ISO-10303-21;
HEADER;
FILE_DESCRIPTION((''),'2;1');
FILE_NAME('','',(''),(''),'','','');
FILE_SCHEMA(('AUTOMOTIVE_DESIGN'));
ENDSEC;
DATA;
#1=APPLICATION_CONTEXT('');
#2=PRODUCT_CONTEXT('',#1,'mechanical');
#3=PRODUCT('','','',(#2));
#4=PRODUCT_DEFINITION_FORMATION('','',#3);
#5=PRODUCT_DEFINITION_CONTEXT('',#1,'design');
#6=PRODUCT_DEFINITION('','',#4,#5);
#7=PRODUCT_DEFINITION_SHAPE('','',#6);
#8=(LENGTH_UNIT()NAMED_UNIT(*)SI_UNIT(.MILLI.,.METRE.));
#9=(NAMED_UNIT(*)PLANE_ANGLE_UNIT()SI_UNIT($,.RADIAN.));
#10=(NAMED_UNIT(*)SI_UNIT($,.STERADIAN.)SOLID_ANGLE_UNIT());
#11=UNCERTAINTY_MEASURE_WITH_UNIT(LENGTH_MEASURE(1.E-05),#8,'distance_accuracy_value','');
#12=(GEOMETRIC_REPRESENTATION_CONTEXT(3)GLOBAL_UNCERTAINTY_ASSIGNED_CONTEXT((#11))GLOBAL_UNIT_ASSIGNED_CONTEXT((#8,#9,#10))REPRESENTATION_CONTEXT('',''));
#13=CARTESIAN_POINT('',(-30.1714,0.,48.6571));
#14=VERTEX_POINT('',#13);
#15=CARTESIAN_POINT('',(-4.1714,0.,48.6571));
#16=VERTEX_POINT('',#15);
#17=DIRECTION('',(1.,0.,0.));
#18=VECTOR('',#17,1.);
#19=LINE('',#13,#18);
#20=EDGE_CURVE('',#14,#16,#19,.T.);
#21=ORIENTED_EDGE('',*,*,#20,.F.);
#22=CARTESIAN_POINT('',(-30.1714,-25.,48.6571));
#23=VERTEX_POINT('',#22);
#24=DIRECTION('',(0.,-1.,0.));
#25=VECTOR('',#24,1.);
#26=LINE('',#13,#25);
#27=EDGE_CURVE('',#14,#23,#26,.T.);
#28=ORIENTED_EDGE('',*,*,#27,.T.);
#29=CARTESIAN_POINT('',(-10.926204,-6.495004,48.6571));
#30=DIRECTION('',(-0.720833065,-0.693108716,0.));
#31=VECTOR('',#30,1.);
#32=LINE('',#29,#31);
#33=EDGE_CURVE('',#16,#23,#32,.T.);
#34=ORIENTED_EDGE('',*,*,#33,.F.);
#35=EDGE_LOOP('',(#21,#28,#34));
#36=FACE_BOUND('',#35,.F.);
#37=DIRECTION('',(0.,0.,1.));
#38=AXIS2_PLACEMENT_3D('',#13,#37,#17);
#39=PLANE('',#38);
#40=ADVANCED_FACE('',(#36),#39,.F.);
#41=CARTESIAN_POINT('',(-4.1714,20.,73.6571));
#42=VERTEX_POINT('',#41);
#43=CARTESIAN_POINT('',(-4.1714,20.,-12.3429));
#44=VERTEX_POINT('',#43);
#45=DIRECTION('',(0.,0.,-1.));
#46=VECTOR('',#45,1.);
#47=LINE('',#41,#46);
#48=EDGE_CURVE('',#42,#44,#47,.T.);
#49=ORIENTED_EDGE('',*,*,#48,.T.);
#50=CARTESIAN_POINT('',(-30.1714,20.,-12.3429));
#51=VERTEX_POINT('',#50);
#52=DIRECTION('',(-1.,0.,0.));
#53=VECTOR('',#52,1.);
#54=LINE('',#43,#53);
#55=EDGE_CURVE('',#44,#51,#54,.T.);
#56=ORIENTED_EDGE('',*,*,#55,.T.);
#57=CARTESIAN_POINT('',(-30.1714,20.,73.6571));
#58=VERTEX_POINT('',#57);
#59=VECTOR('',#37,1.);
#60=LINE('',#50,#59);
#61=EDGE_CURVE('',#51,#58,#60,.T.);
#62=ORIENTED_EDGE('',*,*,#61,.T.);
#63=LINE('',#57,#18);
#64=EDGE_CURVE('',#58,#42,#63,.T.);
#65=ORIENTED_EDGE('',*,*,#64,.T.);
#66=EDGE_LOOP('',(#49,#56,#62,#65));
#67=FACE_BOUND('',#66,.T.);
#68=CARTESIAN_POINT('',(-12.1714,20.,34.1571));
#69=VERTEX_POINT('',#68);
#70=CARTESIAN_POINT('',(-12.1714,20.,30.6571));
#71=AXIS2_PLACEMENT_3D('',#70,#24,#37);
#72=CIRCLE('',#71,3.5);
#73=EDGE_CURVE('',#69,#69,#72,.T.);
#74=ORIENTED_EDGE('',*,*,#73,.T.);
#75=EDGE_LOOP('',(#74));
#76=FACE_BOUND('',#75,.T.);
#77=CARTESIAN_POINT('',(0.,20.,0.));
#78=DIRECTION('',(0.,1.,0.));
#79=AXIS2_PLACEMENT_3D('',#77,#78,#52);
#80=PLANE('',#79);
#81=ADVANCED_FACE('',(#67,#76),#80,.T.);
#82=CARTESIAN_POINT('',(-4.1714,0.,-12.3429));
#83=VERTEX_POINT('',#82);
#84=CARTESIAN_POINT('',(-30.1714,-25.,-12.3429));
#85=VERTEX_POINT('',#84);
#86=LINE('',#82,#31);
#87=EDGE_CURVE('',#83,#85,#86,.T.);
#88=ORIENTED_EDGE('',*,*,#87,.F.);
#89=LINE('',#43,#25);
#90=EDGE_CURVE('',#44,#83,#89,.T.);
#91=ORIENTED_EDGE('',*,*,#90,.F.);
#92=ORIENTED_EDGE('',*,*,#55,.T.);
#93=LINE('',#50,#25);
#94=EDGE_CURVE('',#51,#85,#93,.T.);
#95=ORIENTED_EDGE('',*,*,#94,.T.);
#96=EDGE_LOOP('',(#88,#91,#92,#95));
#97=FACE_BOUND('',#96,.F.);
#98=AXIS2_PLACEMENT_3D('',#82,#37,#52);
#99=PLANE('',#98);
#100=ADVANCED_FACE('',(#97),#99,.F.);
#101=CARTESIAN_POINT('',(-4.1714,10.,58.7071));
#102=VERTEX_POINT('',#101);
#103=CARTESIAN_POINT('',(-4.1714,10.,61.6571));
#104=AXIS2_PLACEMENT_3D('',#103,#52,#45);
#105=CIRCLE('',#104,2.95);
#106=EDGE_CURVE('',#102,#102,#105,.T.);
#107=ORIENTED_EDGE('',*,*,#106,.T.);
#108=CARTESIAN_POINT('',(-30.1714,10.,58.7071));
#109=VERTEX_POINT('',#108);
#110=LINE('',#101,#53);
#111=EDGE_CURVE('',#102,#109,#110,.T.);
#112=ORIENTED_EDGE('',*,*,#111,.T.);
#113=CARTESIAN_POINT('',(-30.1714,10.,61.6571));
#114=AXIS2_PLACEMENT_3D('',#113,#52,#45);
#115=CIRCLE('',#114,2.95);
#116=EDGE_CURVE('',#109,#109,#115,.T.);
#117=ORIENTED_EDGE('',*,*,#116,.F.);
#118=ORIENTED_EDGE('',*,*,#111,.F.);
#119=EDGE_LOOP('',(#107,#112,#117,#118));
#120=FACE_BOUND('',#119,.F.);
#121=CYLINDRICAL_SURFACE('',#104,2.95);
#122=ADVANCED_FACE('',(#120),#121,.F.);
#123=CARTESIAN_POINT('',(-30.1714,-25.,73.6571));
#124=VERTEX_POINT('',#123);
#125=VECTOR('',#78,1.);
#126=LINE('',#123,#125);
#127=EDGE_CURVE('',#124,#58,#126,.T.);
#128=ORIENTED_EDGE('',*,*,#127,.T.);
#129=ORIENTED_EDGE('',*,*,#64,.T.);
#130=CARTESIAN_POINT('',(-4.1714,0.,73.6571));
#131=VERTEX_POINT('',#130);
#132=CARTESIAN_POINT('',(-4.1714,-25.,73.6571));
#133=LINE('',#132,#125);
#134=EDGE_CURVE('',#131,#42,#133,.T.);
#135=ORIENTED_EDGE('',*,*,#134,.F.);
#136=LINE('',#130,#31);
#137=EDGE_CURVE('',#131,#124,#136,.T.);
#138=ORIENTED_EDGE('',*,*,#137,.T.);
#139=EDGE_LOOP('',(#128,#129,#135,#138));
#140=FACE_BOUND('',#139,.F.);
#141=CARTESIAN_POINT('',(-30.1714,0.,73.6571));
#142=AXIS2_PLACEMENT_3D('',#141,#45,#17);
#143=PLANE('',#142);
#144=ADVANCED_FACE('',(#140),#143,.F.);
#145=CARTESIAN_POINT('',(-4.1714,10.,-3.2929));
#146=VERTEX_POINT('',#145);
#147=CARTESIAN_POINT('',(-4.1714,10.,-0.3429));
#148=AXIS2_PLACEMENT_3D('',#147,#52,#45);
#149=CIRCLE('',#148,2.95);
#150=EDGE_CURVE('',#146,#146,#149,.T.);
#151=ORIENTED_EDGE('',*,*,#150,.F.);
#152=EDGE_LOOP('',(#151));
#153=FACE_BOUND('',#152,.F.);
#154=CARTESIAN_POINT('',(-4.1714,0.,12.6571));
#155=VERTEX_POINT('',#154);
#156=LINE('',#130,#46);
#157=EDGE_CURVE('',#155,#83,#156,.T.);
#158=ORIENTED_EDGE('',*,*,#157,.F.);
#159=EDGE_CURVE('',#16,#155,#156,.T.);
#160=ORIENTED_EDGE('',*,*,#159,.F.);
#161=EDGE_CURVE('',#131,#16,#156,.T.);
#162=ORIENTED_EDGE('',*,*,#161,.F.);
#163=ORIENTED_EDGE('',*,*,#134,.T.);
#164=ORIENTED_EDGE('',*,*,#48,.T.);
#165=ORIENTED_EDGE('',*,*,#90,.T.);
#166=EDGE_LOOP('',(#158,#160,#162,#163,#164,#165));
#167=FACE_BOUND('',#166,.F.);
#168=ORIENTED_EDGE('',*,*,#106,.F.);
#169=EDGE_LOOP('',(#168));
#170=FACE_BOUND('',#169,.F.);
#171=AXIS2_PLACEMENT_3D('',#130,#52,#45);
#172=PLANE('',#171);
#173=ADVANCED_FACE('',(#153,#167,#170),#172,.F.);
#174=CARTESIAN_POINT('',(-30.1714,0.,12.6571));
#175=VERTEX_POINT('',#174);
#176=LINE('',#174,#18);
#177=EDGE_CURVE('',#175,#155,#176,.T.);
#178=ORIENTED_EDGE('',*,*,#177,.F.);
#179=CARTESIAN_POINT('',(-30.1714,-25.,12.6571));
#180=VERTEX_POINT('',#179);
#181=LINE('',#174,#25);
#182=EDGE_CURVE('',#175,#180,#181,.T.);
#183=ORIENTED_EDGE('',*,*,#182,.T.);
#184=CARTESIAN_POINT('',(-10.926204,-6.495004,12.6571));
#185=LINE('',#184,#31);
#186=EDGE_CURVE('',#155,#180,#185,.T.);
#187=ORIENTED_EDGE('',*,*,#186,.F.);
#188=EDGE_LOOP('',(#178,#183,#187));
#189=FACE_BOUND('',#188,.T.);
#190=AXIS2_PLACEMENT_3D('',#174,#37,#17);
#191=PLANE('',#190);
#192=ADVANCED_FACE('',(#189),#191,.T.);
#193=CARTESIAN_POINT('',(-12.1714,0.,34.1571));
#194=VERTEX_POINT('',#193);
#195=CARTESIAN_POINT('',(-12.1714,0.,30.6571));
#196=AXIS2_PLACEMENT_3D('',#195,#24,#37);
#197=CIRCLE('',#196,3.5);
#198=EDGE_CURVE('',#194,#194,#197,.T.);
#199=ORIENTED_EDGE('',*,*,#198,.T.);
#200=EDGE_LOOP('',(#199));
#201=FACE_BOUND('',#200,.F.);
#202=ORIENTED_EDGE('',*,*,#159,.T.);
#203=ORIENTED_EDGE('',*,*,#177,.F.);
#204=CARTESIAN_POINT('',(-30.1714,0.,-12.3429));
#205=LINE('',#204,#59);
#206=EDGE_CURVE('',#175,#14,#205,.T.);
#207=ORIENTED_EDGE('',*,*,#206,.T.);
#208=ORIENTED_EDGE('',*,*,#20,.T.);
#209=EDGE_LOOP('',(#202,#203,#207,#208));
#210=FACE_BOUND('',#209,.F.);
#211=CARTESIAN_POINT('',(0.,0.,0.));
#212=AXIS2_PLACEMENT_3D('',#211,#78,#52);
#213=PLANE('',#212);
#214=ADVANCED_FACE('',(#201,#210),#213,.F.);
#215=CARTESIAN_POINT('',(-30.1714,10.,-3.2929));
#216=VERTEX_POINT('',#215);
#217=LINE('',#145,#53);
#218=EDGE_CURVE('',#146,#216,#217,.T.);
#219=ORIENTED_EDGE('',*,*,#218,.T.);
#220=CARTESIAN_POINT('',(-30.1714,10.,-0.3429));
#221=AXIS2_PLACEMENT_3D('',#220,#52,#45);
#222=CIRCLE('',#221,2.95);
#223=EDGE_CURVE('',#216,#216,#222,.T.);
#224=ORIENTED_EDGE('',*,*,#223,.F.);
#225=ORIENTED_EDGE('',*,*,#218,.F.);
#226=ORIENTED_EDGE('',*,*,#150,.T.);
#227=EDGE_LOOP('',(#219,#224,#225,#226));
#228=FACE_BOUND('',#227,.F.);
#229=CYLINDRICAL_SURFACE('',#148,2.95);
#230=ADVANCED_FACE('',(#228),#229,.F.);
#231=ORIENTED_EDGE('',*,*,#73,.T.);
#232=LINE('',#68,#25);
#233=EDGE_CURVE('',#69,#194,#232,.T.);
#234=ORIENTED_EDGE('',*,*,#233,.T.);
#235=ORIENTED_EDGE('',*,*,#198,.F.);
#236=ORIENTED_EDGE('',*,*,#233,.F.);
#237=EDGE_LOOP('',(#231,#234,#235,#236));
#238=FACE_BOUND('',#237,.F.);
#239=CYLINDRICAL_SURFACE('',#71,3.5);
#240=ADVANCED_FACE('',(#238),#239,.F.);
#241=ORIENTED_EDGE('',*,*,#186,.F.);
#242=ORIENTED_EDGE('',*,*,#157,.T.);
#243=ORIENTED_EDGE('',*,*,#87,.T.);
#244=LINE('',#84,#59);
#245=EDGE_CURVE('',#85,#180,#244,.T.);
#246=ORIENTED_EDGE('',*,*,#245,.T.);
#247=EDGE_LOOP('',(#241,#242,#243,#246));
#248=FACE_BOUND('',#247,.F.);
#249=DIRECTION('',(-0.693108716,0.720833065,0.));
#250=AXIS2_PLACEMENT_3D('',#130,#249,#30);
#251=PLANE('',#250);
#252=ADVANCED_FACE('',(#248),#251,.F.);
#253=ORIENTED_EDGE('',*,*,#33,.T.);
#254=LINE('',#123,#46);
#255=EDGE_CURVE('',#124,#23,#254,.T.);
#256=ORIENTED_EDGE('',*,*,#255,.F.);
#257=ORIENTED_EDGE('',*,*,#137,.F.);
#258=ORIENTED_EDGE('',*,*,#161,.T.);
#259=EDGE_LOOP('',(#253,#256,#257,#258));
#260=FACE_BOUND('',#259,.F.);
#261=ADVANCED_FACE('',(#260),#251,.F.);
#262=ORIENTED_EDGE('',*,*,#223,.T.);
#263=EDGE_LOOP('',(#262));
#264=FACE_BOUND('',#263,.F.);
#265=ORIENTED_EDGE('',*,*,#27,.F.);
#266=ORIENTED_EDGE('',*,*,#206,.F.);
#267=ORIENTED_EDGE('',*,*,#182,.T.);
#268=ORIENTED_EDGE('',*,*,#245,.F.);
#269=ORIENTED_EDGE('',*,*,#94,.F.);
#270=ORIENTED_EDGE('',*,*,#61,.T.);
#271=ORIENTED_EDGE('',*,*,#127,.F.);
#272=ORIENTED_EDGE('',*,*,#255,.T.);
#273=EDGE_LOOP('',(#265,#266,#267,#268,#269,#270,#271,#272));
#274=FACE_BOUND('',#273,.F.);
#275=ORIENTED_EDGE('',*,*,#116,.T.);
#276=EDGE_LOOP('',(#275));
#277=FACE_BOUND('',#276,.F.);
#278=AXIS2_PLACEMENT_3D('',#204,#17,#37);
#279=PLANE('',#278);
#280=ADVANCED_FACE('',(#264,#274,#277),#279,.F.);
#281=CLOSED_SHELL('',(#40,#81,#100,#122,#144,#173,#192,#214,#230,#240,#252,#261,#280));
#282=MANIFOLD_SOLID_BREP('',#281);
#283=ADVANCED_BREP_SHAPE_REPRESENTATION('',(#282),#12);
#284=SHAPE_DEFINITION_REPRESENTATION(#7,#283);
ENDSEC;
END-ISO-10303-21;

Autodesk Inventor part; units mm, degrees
ref_plane "YZ Plane" through (0, 0, 0) normal (1, 0, 0) x (0, 1, 0)
ref_plane "XZ Plane" through (0, 0, 0) normal (0, 1, 0) x (-1, 0, 0)
ref_plane "XY Plane" through (0, 0, 0) normal (0, 0, 1) x (1, 0, 0)
sketch "Schizzo1" plane through (0, 0, 0) normal (0, 1, 0) x (-1, 0, 0)
  line L0 (30.1714, 73.6571) -> (4.1714, 73.6571)
  line L1 (4.1714, 73.6571) -> (4.1714, -12.3429)
  line L2 (4.1714, -12.3429) -> (30.1714, -12.3429)
  line L3 (30.1714, -12.3429) -> (30.1714, 73.6571)
  line L4 (30.1714, 73.6571) -> (4.1714, -12.3429) construction
  line L5 (4.1714, 73.6571) -> (30.1714, -12.3429) construction
  point P0 (0, 0)
  point P1 (17.1714, 30.6571)
  dimension "d0" = 26
  dimension "d1" = 86
extrude "Estrusione1" add sketch "Schizzo1" along normal blind 20
sketch "Schizzo2" plane through (0, 0, 0) normal (0, -1, 0) x (1, 0, 0)
  line L0 (-4.1714, -12.3429) -> (-30.1714, -12.3429) projected
  line L1 (-4.1714, -12.3429) -> (-30.1714, -12.3429)
  line L2 (-30.1714, -12.3429) -> (-30.1714, 12.6571)
  line L3 (-30.1714, 12.6571) -> (-4.1714, 12.6571)
  line L4 (-4.1714, 12.6571) -> (-4.1714, -12.3429)
  line L5 (-30.1714, 73.6571) -> (-4.1714, 73.6571) projected
  line L6 (-4.1714, 73.6571) -> (-30.1714, 73.6571)
  line L7 (-30.1714, 73.6571) -> (-30.1714, 48.6571)
  line L8 (-30.1714, 48.6571) -> (-4.1714, 48.6571)
  line L9 (-4.1714, 48.6571) -> (-4.1714, 73.6571)
  point P0 (0, 0)
  dimension "d4" = 25
  dimension "d5" = 25
extrude "Estrusione2" add sketch "Schizzo2" along normal blind 25
sketch "Schizzo3" plane through (-30.1714, 20, 73.6571) normal (0, 0, 1) x (1, 0, 0)
  line L0 (0, -20) -> (0, -45) projected
  line L1 (0, -45) -> (26, -45) projected
  line L2 (0, -45) -> (26, -45)
  line L3 (26, -20) -> (26, -45) projected
  line L4 (26, -45) -> (26, -20)
  line L5 (26, -20) -> (0, -45)
  point P0 (30.1714, -20)
extrude "Estrusione3" cut sketch "Schizzo3" against normal through all
sketch "Schizzo4" plane through (-4.1714, 20, 73.6571) normal (1, 0, 0) x (0, 0, -1)
  line L0 (86, 0) -> (0, 0) projected
  line L1 (0, 0) -> (0, -10)
  line L2 (0, -45) -> (0, 0) projected
  line L3 (0, 0) -> (10, 0) construction
  line L4 (0, -10) -> (12, -10)
  line L5 (86, 0) -> (86, -10)
  line L6 (86, -45) -> (86, 0) projected
  line L7 (86, 0) -> (96, 0) construction
  line L8 (86, -10) -> (74, -10)
  circle A0 centre (12, -10) radius 2.5
  circle A1 centre (74, -10) radius 2.5
  point P0 (73.6571, -20)
  dimension "d10" = 10
  dimension "d11" = 90
  dimension "d12" = 12
  dimension "d13" = 90
  dimension "d14" = 10
  dimension "d15" = 90
  dimension "d16" = 12
  dimension "d17" = 90
  dimension "d18" = 5
  dimension "d19" = 5
hole "Foro1" at (-4.1714, 10, 61.6571) at (-4.1714, 10, -0.3429) direction (-1, 0, 0) diameter 5.9 end through all clearance for "Vite a testa piana" size "M5" standard "ANSI - Profilo M Metrico"
sketch "Schizzo5" plane through (0, 20, 0) normal (0, 1, 0) x (1, 0, 0)
  line L0 (-30.1714, -73.6571) -> (-4.1714, -73.6571) projected
  line L1 (-30.1714, 12.3429) -> (-30.1714, -73.6571) projected
  line L2 (-30.1714, -73.6571) -> (-30.1714, 12.3429)
  line L3 (-30.1714, -30.6571) -> (-12.1714, -30.6571)
  line L4 (-30.1714, -30.6571) -> (-12.1714, -30.6571) construction
  point P0 (0, 0)
  dimension "d27" = 18
  dimension "d28" = 0
hole "Foro2" at (-12.1714, 20, 30.6571) direction (0, -1, 0) diameter 7 end through all clearance for "Vite a testa piana" size "M6" standard "ANSI - Profilo M Metrico"
properties part number "23_Blocco_Escursione_Braccio_2"
